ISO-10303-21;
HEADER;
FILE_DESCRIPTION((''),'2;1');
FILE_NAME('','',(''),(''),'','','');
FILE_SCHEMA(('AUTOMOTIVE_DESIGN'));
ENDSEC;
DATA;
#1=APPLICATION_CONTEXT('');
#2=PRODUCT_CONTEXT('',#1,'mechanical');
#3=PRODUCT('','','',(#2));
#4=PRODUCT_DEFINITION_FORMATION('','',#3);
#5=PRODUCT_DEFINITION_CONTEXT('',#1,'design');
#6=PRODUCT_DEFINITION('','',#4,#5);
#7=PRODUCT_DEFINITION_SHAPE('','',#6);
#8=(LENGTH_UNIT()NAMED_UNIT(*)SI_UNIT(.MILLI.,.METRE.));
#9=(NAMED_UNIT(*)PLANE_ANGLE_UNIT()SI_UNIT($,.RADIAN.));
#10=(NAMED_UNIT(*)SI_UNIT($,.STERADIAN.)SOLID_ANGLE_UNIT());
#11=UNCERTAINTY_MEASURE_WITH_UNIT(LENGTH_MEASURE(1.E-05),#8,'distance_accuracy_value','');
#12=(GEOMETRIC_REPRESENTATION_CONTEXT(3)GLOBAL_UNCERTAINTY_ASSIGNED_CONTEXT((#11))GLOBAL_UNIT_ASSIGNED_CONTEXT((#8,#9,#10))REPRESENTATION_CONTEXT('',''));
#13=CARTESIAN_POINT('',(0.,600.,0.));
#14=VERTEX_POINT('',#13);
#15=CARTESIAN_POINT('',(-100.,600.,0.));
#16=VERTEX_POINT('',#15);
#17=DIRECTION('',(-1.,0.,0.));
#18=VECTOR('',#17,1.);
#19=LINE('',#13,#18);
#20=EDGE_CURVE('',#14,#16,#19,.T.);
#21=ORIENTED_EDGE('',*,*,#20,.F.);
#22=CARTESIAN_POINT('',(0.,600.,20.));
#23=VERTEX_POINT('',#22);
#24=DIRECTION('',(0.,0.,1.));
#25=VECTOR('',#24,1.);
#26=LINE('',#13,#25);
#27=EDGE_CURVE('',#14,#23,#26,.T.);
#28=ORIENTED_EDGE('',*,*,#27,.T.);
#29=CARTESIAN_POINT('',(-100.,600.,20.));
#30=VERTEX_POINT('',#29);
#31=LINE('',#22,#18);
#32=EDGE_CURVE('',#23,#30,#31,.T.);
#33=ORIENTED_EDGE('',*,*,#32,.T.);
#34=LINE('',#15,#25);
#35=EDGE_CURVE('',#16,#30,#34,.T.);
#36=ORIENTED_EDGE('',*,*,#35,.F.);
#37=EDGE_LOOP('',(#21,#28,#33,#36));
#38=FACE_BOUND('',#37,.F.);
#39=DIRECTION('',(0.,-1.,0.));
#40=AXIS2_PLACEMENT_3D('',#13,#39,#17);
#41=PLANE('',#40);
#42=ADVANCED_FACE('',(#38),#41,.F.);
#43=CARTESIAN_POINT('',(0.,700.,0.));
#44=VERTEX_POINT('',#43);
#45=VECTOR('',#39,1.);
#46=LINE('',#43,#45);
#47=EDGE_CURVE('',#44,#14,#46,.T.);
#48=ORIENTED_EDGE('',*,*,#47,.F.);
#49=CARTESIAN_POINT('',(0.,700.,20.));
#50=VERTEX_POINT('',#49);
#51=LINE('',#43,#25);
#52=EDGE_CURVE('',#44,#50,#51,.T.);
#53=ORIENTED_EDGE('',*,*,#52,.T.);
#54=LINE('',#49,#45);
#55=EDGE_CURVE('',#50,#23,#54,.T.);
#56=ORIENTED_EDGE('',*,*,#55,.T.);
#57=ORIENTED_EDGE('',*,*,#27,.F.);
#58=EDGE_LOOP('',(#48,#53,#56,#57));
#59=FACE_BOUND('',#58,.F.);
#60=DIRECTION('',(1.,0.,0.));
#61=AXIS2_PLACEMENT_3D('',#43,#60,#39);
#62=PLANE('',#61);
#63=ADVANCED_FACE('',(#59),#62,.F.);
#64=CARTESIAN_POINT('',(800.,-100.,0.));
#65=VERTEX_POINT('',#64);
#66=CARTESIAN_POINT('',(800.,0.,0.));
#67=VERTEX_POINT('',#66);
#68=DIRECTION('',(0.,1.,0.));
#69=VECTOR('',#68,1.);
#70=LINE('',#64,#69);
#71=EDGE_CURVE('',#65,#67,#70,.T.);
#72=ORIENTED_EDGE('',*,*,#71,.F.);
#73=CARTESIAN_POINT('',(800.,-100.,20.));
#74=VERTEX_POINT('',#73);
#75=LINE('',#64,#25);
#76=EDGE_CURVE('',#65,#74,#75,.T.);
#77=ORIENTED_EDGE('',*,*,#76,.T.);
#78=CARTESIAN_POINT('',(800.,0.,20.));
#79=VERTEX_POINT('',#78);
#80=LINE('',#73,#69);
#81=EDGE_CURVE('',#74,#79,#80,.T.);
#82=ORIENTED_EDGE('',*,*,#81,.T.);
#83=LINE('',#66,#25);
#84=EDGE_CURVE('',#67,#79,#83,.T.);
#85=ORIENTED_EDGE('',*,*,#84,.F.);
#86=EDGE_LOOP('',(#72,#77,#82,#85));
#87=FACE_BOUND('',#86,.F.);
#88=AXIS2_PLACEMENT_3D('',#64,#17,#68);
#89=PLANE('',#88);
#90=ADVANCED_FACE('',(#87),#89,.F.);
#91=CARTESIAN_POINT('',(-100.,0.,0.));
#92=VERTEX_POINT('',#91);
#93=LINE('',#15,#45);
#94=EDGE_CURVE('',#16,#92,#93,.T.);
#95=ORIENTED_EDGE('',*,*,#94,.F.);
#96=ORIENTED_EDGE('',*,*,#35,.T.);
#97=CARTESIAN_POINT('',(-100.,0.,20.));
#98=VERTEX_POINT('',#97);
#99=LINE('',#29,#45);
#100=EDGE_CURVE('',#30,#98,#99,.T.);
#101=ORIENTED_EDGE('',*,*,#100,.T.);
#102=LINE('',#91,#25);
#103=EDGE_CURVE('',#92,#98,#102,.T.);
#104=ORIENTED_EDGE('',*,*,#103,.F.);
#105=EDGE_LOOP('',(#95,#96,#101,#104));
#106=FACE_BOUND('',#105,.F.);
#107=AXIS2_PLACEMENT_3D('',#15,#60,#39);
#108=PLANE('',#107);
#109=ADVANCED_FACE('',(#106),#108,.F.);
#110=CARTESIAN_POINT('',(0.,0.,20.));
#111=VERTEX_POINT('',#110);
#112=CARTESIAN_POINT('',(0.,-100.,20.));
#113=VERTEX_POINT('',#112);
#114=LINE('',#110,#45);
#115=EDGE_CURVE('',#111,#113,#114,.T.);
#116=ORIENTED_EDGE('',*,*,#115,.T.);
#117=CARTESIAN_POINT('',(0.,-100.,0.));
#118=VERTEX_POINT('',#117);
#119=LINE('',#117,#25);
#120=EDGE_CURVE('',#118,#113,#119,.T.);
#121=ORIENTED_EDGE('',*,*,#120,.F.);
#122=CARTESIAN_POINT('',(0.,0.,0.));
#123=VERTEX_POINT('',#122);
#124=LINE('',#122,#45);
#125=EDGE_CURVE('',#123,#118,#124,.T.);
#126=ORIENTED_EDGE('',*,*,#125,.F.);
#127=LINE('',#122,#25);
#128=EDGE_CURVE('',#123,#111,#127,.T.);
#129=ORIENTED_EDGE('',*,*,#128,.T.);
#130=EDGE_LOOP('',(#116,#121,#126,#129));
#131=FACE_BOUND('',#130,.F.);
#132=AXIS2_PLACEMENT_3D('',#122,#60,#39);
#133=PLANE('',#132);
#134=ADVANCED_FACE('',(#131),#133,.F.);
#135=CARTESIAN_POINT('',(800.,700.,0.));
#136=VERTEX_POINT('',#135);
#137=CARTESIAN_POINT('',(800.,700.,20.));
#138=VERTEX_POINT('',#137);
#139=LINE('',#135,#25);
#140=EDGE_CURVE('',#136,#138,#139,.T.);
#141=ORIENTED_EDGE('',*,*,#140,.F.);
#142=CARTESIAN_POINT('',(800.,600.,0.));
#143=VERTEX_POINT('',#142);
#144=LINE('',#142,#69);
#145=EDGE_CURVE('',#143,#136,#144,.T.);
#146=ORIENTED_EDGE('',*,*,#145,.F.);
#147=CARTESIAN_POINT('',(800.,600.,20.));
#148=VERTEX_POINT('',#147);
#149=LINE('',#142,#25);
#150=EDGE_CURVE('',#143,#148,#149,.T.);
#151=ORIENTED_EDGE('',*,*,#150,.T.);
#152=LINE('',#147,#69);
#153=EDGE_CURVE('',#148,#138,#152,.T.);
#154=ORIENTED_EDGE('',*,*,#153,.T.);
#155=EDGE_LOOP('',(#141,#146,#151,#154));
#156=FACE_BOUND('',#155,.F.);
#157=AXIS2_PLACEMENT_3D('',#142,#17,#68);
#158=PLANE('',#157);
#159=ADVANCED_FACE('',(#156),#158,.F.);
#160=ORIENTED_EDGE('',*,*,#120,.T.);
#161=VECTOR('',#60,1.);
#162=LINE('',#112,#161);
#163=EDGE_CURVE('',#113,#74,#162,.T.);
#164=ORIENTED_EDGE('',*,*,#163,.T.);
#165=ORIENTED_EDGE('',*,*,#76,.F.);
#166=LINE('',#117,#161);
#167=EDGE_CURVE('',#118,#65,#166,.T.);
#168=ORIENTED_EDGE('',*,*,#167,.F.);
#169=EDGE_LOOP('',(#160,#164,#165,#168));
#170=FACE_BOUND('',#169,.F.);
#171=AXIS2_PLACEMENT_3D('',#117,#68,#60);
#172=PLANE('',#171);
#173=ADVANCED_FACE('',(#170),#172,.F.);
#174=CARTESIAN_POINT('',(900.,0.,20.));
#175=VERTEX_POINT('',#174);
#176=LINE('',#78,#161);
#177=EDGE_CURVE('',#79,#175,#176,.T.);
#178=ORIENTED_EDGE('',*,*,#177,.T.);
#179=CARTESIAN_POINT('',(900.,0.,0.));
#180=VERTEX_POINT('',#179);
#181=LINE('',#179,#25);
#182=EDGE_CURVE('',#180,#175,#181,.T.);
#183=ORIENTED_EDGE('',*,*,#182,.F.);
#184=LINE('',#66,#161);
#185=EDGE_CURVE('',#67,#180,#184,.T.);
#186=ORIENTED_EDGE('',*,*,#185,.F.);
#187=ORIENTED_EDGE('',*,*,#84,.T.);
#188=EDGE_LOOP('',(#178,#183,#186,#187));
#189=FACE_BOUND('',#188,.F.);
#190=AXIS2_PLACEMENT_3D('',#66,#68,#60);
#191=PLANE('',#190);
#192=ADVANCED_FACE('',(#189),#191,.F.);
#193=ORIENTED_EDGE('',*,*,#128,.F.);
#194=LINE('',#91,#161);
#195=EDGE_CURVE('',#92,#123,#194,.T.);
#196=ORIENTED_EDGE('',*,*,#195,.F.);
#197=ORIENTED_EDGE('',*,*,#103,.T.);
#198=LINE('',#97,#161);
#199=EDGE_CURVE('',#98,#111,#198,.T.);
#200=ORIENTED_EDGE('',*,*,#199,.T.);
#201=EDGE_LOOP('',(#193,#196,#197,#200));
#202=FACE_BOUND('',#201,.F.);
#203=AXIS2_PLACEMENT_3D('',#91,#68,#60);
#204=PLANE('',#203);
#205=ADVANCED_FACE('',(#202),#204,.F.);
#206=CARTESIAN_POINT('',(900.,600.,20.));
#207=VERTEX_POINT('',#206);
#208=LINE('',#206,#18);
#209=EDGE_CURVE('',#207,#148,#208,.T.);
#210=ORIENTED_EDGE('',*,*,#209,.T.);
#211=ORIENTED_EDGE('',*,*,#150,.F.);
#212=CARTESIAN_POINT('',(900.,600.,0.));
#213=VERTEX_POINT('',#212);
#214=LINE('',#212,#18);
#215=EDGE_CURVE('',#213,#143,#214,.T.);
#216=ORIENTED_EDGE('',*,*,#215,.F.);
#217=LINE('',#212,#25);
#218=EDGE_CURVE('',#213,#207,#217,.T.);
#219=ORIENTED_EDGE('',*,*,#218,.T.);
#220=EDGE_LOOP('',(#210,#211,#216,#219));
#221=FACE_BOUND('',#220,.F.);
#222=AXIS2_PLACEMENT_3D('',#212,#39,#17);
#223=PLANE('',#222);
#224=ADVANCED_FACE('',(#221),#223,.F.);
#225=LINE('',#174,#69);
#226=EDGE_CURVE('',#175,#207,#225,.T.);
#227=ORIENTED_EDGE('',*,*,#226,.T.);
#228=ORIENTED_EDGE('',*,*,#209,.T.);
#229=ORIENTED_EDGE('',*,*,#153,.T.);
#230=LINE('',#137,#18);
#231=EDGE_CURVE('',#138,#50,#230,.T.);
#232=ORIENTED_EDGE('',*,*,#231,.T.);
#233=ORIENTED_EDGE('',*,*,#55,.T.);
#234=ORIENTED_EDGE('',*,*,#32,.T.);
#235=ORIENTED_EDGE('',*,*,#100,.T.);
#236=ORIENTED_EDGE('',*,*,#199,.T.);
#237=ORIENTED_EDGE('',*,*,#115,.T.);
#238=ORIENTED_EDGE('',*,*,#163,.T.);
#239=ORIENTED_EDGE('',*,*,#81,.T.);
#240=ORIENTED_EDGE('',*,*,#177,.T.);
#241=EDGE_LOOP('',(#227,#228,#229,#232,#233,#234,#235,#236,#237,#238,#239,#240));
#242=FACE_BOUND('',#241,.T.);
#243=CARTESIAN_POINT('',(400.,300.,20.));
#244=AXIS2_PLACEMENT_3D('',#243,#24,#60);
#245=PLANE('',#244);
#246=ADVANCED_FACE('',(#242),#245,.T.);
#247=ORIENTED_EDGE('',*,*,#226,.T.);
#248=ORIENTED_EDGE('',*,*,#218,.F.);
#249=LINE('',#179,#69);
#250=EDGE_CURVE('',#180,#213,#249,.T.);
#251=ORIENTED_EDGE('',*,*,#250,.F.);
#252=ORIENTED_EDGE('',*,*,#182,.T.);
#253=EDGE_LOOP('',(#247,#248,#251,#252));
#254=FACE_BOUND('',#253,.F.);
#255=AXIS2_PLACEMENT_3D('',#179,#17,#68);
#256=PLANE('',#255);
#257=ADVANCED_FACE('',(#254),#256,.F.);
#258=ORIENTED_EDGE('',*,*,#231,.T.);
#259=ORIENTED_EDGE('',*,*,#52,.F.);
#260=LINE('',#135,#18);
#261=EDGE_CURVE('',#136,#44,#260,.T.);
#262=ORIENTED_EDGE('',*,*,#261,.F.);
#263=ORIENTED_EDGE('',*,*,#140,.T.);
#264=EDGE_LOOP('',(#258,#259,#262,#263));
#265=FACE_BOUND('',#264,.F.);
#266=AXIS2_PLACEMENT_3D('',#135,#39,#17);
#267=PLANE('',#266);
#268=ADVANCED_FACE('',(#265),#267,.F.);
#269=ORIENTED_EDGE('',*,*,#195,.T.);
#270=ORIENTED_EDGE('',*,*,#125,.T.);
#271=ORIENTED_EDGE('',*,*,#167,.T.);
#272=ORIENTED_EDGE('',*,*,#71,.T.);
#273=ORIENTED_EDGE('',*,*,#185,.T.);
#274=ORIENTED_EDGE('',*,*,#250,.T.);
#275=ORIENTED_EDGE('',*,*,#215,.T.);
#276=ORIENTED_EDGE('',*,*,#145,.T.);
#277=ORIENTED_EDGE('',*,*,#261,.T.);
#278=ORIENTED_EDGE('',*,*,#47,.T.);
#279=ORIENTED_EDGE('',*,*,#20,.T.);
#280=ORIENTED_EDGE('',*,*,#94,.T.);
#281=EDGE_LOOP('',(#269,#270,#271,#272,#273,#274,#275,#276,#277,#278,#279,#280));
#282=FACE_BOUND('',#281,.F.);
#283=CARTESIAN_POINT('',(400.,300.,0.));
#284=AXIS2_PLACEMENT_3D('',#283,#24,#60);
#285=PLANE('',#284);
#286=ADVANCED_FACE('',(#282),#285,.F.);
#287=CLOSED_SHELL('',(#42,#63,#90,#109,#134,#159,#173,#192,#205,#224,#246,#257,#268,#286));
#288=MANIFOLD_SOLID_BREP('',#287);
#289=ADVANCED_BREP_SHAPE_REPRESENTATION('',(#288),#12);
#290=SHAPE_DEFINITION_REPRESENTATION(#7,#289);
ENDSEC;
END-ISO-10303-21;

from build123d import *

# Parameters (mm, degrees)
F1_DEPTH = 200
F2_SCALE = 0.1


with BuildPart() as f1:
    # F0 (on Top) → F1 (new body)
    with BuildSketch(Plane.XY):
        Polygon((-1000, 0), (0, 0), (0, -1000), (8000, -1000), (8000, 0), (9000, 0), (9000, 6000), (8000, 6000), (8000, 7000), (0, 7000), (0, 6000), (-1000, 6000), align=None)
    extrude(amount=F1_DEPTH)


with BuildPart() as f1_1:
    # F2: moved
    add(f1.part.scale(F2_SCALE))


solid = f1_1.part
